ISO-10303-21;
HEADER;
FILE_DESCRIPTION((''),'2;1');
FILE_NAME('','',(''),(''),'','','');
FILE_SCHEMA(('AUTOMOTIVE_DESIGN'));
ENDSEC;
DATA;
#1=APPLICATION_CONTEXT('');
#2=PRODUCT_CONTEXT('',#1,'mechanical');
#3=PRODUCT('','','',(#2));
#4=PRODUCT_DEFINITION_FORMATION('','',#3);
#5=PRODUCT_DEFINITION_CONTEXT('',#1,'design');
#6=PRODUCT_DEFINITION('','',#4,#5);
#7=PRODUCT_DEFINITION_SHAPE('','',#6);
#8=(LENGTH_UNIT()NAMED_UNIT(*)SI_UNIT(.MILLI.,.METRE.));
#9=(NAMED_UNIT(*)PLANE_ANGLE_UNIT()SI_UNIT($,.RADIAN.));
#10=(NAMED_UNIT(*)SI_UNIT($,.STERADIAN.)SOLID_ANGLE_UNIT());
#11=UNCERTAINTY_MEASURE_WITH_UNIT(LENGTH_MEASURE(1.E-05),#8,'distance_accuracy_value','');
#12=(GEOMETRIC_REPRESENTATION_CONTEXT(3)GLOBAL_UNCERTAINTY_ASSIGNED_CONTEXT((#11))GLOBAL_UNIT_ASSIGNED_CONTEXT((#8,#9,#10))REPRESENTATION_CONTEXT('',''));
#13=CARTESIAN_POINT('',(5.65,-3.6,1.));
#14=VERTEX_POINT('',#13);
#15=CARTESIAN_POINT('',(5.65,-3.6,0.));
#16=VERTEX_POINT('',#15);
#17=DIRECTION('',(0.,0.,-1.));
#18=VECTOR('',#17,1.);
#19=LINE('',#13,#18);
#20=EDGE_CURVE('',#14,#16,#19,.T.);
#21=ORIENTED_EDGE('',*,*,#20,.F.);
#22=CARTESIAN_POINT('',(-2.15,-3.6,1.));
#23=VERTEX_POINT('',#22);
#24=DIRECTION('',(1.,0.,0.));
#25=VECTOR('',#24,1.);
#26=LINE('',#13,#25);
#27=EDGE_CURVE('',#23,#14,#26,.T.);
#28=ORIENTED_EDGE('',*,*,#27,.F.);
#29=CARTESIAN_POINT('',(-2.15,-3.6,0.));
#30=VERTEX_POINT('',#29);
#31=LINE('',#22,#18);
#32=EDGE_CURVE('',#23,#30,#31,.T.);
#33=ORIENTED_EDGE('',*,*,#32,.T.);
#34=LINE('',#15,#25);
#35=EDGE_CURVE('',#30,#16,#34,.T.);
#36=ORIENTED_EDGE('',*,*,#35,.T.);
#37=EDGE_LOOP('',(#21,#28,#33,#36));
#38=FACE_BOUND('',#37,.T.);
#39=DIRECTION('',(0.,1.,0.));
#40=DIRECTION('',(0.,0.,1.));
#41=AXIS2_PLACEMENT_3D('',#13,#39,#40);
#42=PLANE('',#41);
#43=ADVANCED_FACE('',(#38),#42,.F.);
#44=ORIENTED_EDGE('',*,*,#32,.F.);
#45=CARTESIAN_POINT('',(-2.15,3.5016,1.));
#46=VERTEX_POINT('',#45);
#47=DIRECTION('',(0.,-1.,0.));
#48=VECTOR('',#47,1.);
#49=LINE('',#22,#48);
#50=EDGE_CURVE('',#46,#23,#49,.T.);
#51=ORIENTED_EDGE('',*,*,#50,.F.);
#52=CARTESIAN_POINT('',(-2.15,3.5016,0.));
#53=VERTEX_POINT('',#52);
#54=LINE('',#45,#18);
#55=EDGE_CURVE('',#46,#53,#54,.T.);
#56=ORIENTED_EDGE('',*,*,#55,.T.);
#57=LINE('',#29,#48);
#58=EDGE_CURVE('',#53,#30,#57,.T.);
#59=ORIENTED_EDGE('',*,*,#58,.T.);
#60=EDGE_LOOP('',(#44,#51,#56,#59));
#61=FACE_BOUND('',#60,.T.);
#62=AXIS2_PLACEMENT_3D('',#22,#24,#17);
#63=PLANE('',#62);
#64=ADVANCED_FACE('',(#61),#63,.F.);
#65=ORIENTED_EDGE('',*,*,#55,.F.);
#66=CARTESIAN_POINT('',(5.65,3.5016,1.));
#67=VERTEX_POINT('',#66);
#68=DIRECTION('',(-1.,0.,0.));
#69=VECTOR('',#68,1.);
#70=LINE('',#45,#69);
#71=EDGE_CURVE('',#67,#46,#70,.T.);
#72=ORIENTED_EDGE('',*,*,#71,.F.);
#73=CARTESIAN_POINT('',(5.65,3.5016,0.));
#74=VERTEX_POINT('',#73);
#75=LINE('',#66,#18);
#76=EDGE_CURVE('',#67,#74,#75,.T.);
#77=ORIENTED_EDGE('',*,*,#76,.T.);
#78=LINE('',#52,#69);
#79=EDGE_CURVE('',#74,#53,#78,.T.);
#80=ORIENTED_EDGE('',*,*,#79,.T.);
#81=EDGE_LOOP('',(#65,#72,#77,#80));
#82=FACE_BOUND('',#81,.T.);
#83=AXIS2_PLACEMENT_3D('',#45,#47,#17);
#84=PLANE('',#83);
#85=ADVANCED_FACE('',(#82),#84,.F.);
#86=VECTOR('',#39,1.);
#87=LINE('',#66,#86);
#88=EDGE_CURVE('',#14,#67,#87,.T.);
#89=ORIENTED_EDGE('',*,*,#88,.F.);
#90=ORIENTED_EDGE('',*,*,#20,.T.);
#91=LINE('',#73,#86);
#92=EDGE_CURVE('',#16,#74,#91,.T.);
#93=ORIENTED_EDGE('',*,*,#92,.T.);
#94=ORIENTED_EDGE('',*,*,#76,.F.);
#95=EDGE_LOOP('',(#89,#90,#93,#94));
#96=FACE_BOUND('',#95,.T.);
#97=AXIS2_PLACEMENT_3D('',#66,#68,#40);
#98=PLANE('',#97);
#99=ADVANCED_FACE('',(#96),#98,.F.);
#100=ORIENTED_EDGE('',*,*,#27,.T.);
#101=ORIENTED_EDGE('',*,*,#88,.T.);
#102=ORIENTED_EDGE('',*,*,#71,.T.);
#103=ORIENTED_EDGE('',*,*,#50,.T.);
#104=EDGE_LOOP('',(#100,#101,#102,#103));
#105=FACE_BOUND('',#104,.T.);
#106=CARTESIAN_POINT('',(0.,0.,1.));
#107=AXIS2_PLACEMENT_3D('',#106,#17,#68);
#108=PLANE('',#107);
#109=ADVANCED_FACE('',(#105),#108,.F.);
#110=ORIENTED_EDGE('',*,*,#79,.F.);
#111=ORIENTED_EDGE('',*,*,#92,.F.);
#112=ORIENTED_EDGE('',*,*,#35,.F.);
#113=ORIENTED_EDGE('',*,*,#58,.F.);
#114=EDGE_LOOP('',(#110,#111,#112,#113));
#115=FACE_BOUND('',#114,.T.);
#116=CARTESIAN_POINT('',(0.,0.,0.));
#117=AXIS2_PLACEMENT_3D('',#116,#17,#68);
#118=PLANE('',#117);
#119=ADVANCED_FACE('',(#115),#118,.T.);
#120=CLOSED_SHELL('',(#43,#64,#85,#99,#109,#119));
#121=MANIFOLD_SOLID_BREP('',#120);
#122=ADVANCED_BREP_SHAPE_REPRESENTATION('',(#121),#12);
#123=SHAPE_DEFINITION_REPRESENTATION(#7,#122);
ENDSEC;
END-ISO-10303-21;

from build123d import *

# Parameters (mm, degrees)
SKETCH1_W               = 7.8
SKETCH1_H               = 7.1016
COMPONENT_OUTLINE_DEPTH = 1


with BuildPart() as part:
    # Sketch1 → Component_Outline (new body)
    with BuildSketch(Plane.XY):
        with Locations((1.75, -0.0492)):
            Rectangle(SKETCH1_W, SKETCH1_H)
    extrude(amount=COMPONENT_OUTLINE_DEPTH)


solid = part.part
